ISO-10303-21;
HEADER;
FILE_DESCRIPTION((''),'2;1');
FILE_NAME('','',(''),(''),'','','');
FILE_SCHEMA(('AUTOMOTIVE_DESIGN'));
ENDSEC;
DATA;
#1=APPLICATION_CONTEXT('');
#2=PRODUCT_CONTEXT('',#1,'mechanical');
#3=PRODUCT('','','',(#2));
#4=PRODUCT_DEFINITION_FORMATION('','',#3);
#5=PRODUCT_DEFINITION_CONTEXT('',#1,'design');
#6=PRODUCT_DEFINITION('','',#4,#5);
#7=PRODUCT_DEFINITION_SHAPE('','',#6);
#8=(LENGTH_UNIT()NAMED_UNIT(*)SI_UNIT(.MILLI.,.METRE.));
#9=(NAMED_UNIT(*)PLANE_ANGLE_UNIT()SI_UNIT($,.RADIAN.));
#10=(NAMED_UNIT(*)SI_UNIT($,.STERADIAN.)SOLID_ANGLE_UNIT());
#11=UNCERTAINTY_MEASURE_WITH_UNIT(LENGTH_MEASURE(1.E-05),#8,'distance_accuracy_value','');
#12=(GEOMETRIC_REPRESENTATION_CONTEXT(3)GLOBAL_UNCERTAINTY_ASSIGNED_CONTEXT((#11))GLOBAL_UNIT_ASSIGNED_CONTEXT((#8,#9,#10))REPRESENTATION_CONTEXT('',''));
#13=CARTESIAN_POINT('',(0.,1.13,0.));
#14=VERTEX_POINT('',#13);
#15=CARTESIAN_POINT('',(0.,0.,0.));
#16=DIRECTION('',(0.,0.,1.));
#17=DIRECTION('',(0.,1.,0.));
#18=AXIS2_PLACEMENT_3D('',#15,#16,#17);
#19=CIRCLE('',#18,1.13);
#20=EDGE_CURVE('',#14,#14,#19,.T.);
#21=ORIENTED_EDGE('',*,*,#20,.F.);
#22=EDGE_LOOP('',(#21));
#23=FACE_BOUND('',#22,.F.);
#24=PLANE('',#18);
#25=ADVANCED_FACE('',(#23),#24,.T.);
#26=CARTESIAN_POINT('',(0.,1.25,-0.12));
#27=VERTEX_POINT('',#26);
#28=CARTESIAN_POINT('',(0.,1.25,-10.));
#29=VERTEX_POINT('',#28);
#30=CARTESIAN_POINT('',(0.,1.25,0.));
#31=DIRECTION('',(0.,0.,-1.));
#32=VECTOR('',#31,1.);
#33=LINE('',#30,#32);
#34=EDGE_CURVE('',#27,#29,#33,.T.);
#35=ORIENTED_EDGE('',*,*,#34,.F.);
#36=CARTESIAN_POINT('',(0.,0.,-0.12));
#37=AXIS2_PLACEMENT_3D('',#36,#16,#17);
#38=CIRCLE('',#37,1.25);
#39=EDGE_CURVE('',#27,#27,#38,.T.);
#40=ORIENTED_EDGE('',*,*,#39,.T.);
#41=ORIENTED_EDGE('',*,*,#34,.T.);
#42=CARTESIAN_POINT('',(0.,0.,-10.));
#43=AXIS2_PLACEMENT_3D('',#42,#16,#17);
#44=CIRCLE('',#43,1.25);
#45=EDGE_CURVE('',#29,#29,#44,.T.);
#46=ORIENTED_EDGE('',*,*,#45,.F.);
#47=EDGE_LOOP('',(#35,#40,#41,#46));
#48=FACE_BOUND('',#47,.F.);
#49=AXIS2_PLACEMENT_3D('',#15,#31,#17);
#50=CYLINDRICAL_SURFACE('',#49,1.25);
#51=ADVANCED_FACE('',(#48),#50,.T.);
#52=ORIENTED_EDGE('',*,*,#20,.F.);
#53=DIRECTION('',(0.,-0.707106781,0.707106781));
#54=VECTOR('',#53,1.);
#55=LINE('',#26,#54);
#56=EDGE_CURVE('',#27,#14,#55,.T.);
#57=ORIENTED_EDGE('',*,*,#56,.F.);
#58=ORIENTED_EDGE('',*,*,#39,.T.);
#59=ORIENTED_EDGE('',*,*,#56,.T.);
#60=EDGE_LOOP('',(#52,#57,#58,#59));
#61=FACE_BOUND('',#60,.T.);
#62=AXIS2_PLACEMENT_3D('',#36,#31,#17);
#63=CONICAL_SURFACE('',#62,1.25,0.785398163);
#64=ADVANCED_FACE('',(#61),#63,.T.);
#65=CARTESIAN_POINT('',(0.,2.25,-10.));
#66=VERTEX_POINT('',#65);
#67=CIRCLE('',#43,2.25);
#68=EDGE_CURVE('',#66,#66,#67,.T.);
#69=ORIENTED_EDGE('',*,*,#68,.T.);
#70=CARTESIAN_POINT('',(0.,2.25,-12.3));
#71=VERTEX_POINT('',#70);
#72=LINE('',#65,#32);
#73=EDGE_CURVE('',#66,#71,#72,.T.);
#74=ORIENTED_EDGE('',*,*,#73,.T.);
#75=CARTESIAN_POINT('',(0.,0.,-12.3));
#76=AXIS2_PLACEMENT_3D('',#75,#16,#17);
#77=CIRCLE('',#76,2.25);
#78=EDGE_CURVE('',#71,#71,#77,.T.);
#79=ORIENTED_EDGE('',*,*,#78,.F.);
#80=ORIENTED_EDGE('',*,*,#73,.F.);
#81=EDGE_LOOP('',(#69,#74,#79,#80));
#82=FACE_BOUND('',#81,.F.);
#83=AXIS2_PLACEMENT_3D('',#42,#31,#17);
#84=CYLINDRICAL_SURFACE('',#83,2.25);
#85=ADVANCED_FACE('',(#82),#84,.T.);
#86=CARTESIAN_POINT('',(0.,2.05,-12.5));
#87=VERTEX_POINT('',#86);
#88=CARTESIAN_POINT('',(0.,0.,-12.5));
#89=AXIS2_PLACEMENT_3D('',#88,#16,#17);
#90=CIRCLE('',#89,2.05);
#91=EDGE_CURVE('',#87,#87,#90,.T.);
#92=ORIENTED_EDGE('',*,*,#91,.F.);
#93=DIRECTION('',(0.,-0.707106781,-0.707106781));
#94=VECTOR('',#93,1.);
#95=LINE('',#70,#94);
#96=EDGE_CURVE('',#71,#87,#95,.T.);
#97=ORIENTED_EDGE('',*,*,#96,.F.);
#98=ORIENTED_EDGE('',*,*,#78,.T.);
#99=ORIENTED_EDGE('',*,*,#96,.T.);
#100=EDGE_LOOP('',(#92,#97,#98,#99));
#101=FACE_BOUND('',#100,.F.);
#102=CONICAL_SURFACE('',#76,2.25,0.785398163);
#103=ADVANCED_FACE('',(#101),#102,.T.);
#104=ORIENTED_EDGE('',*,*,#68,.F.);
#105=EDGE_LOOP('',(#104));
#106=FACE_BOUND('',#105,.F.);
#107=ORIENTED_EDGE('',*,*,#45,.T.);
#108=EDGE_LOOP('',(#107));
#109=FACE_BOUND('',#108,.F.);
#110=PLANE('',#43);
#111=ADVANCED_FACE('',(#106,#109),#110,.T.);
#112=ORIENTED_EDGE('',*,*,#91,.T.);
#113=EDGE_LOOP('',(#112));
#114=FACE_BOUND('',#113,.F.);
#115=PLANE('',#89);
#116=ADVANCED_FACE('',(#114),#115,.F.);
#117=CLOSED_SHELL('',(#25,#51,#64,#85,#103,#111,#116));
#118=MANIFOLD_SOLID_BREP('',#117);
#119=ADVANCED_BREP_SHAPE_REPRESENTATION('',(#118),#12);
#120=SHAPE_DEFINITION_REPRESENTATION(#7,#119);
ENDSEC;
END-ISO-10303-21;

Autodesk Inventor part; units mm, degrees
ref_plane "YZ Plane" through (0, 0, 0) normal (1, 0, 0) x (0, 1, 0)
ref_plane "XZ Plane" through (0, 0, 0) normal (0, 1, 0) x (-1, 0, 0)
ref_plane "XY Plane" through (0, 0, 0) normal (0, 0, 1) x (1, 0, 0)
sketch "スケッチ1" plane through (0, 0, 0) normal (1, 0, 0) x (0, 1, 0)
  line L0 (0, 0) -> (1.25, 0)
  line L1 (1.25, 0) -> (1.25, -10)
  line L2 (1.25, -10) -> (0, -10)
  line L3 (0, -10) -> (0, 0)
  line L4 (0, -10) -> (2.25, -10)
  line L5 (2.25, -10) -> (2.25, -12.5)
  line L6 (2.25, -12.5) -> (0, -12.5)
  line L7 (0, -12.5) -> (0, -10)
  line L8 (2.25, -12.3) -> (2.05, -12.5)
  line L9 (1.25, -0.12) -> (1.13, 0)
  point P0 (2.25, -11.25)
  point P1 (1.25, -10)
  dimension "d0" = 45
  dimension "d1" = 2.25
  dimension "d2" = 2.5
  dimension "d3" = 10
  dimension "d7" = 1.25
  dimension "d10" = 45
  dimension "d11" = 0.2
  dimension "d12" = 0.12
revolve "回転1" add sketch "スケッチ1" angle 360 about axis through (0, 0, -10) along (0, 0, 1) contours L0 L9 L1 L2 L3 | L2 L4 L5 L8 L6 L7
thread "ねじ2" size "M2.5x0.45" class "6g" standard "ANSI Metric M Profile" length 30
properties part number "M2-5_10mm" material "ステンレス鋼"
